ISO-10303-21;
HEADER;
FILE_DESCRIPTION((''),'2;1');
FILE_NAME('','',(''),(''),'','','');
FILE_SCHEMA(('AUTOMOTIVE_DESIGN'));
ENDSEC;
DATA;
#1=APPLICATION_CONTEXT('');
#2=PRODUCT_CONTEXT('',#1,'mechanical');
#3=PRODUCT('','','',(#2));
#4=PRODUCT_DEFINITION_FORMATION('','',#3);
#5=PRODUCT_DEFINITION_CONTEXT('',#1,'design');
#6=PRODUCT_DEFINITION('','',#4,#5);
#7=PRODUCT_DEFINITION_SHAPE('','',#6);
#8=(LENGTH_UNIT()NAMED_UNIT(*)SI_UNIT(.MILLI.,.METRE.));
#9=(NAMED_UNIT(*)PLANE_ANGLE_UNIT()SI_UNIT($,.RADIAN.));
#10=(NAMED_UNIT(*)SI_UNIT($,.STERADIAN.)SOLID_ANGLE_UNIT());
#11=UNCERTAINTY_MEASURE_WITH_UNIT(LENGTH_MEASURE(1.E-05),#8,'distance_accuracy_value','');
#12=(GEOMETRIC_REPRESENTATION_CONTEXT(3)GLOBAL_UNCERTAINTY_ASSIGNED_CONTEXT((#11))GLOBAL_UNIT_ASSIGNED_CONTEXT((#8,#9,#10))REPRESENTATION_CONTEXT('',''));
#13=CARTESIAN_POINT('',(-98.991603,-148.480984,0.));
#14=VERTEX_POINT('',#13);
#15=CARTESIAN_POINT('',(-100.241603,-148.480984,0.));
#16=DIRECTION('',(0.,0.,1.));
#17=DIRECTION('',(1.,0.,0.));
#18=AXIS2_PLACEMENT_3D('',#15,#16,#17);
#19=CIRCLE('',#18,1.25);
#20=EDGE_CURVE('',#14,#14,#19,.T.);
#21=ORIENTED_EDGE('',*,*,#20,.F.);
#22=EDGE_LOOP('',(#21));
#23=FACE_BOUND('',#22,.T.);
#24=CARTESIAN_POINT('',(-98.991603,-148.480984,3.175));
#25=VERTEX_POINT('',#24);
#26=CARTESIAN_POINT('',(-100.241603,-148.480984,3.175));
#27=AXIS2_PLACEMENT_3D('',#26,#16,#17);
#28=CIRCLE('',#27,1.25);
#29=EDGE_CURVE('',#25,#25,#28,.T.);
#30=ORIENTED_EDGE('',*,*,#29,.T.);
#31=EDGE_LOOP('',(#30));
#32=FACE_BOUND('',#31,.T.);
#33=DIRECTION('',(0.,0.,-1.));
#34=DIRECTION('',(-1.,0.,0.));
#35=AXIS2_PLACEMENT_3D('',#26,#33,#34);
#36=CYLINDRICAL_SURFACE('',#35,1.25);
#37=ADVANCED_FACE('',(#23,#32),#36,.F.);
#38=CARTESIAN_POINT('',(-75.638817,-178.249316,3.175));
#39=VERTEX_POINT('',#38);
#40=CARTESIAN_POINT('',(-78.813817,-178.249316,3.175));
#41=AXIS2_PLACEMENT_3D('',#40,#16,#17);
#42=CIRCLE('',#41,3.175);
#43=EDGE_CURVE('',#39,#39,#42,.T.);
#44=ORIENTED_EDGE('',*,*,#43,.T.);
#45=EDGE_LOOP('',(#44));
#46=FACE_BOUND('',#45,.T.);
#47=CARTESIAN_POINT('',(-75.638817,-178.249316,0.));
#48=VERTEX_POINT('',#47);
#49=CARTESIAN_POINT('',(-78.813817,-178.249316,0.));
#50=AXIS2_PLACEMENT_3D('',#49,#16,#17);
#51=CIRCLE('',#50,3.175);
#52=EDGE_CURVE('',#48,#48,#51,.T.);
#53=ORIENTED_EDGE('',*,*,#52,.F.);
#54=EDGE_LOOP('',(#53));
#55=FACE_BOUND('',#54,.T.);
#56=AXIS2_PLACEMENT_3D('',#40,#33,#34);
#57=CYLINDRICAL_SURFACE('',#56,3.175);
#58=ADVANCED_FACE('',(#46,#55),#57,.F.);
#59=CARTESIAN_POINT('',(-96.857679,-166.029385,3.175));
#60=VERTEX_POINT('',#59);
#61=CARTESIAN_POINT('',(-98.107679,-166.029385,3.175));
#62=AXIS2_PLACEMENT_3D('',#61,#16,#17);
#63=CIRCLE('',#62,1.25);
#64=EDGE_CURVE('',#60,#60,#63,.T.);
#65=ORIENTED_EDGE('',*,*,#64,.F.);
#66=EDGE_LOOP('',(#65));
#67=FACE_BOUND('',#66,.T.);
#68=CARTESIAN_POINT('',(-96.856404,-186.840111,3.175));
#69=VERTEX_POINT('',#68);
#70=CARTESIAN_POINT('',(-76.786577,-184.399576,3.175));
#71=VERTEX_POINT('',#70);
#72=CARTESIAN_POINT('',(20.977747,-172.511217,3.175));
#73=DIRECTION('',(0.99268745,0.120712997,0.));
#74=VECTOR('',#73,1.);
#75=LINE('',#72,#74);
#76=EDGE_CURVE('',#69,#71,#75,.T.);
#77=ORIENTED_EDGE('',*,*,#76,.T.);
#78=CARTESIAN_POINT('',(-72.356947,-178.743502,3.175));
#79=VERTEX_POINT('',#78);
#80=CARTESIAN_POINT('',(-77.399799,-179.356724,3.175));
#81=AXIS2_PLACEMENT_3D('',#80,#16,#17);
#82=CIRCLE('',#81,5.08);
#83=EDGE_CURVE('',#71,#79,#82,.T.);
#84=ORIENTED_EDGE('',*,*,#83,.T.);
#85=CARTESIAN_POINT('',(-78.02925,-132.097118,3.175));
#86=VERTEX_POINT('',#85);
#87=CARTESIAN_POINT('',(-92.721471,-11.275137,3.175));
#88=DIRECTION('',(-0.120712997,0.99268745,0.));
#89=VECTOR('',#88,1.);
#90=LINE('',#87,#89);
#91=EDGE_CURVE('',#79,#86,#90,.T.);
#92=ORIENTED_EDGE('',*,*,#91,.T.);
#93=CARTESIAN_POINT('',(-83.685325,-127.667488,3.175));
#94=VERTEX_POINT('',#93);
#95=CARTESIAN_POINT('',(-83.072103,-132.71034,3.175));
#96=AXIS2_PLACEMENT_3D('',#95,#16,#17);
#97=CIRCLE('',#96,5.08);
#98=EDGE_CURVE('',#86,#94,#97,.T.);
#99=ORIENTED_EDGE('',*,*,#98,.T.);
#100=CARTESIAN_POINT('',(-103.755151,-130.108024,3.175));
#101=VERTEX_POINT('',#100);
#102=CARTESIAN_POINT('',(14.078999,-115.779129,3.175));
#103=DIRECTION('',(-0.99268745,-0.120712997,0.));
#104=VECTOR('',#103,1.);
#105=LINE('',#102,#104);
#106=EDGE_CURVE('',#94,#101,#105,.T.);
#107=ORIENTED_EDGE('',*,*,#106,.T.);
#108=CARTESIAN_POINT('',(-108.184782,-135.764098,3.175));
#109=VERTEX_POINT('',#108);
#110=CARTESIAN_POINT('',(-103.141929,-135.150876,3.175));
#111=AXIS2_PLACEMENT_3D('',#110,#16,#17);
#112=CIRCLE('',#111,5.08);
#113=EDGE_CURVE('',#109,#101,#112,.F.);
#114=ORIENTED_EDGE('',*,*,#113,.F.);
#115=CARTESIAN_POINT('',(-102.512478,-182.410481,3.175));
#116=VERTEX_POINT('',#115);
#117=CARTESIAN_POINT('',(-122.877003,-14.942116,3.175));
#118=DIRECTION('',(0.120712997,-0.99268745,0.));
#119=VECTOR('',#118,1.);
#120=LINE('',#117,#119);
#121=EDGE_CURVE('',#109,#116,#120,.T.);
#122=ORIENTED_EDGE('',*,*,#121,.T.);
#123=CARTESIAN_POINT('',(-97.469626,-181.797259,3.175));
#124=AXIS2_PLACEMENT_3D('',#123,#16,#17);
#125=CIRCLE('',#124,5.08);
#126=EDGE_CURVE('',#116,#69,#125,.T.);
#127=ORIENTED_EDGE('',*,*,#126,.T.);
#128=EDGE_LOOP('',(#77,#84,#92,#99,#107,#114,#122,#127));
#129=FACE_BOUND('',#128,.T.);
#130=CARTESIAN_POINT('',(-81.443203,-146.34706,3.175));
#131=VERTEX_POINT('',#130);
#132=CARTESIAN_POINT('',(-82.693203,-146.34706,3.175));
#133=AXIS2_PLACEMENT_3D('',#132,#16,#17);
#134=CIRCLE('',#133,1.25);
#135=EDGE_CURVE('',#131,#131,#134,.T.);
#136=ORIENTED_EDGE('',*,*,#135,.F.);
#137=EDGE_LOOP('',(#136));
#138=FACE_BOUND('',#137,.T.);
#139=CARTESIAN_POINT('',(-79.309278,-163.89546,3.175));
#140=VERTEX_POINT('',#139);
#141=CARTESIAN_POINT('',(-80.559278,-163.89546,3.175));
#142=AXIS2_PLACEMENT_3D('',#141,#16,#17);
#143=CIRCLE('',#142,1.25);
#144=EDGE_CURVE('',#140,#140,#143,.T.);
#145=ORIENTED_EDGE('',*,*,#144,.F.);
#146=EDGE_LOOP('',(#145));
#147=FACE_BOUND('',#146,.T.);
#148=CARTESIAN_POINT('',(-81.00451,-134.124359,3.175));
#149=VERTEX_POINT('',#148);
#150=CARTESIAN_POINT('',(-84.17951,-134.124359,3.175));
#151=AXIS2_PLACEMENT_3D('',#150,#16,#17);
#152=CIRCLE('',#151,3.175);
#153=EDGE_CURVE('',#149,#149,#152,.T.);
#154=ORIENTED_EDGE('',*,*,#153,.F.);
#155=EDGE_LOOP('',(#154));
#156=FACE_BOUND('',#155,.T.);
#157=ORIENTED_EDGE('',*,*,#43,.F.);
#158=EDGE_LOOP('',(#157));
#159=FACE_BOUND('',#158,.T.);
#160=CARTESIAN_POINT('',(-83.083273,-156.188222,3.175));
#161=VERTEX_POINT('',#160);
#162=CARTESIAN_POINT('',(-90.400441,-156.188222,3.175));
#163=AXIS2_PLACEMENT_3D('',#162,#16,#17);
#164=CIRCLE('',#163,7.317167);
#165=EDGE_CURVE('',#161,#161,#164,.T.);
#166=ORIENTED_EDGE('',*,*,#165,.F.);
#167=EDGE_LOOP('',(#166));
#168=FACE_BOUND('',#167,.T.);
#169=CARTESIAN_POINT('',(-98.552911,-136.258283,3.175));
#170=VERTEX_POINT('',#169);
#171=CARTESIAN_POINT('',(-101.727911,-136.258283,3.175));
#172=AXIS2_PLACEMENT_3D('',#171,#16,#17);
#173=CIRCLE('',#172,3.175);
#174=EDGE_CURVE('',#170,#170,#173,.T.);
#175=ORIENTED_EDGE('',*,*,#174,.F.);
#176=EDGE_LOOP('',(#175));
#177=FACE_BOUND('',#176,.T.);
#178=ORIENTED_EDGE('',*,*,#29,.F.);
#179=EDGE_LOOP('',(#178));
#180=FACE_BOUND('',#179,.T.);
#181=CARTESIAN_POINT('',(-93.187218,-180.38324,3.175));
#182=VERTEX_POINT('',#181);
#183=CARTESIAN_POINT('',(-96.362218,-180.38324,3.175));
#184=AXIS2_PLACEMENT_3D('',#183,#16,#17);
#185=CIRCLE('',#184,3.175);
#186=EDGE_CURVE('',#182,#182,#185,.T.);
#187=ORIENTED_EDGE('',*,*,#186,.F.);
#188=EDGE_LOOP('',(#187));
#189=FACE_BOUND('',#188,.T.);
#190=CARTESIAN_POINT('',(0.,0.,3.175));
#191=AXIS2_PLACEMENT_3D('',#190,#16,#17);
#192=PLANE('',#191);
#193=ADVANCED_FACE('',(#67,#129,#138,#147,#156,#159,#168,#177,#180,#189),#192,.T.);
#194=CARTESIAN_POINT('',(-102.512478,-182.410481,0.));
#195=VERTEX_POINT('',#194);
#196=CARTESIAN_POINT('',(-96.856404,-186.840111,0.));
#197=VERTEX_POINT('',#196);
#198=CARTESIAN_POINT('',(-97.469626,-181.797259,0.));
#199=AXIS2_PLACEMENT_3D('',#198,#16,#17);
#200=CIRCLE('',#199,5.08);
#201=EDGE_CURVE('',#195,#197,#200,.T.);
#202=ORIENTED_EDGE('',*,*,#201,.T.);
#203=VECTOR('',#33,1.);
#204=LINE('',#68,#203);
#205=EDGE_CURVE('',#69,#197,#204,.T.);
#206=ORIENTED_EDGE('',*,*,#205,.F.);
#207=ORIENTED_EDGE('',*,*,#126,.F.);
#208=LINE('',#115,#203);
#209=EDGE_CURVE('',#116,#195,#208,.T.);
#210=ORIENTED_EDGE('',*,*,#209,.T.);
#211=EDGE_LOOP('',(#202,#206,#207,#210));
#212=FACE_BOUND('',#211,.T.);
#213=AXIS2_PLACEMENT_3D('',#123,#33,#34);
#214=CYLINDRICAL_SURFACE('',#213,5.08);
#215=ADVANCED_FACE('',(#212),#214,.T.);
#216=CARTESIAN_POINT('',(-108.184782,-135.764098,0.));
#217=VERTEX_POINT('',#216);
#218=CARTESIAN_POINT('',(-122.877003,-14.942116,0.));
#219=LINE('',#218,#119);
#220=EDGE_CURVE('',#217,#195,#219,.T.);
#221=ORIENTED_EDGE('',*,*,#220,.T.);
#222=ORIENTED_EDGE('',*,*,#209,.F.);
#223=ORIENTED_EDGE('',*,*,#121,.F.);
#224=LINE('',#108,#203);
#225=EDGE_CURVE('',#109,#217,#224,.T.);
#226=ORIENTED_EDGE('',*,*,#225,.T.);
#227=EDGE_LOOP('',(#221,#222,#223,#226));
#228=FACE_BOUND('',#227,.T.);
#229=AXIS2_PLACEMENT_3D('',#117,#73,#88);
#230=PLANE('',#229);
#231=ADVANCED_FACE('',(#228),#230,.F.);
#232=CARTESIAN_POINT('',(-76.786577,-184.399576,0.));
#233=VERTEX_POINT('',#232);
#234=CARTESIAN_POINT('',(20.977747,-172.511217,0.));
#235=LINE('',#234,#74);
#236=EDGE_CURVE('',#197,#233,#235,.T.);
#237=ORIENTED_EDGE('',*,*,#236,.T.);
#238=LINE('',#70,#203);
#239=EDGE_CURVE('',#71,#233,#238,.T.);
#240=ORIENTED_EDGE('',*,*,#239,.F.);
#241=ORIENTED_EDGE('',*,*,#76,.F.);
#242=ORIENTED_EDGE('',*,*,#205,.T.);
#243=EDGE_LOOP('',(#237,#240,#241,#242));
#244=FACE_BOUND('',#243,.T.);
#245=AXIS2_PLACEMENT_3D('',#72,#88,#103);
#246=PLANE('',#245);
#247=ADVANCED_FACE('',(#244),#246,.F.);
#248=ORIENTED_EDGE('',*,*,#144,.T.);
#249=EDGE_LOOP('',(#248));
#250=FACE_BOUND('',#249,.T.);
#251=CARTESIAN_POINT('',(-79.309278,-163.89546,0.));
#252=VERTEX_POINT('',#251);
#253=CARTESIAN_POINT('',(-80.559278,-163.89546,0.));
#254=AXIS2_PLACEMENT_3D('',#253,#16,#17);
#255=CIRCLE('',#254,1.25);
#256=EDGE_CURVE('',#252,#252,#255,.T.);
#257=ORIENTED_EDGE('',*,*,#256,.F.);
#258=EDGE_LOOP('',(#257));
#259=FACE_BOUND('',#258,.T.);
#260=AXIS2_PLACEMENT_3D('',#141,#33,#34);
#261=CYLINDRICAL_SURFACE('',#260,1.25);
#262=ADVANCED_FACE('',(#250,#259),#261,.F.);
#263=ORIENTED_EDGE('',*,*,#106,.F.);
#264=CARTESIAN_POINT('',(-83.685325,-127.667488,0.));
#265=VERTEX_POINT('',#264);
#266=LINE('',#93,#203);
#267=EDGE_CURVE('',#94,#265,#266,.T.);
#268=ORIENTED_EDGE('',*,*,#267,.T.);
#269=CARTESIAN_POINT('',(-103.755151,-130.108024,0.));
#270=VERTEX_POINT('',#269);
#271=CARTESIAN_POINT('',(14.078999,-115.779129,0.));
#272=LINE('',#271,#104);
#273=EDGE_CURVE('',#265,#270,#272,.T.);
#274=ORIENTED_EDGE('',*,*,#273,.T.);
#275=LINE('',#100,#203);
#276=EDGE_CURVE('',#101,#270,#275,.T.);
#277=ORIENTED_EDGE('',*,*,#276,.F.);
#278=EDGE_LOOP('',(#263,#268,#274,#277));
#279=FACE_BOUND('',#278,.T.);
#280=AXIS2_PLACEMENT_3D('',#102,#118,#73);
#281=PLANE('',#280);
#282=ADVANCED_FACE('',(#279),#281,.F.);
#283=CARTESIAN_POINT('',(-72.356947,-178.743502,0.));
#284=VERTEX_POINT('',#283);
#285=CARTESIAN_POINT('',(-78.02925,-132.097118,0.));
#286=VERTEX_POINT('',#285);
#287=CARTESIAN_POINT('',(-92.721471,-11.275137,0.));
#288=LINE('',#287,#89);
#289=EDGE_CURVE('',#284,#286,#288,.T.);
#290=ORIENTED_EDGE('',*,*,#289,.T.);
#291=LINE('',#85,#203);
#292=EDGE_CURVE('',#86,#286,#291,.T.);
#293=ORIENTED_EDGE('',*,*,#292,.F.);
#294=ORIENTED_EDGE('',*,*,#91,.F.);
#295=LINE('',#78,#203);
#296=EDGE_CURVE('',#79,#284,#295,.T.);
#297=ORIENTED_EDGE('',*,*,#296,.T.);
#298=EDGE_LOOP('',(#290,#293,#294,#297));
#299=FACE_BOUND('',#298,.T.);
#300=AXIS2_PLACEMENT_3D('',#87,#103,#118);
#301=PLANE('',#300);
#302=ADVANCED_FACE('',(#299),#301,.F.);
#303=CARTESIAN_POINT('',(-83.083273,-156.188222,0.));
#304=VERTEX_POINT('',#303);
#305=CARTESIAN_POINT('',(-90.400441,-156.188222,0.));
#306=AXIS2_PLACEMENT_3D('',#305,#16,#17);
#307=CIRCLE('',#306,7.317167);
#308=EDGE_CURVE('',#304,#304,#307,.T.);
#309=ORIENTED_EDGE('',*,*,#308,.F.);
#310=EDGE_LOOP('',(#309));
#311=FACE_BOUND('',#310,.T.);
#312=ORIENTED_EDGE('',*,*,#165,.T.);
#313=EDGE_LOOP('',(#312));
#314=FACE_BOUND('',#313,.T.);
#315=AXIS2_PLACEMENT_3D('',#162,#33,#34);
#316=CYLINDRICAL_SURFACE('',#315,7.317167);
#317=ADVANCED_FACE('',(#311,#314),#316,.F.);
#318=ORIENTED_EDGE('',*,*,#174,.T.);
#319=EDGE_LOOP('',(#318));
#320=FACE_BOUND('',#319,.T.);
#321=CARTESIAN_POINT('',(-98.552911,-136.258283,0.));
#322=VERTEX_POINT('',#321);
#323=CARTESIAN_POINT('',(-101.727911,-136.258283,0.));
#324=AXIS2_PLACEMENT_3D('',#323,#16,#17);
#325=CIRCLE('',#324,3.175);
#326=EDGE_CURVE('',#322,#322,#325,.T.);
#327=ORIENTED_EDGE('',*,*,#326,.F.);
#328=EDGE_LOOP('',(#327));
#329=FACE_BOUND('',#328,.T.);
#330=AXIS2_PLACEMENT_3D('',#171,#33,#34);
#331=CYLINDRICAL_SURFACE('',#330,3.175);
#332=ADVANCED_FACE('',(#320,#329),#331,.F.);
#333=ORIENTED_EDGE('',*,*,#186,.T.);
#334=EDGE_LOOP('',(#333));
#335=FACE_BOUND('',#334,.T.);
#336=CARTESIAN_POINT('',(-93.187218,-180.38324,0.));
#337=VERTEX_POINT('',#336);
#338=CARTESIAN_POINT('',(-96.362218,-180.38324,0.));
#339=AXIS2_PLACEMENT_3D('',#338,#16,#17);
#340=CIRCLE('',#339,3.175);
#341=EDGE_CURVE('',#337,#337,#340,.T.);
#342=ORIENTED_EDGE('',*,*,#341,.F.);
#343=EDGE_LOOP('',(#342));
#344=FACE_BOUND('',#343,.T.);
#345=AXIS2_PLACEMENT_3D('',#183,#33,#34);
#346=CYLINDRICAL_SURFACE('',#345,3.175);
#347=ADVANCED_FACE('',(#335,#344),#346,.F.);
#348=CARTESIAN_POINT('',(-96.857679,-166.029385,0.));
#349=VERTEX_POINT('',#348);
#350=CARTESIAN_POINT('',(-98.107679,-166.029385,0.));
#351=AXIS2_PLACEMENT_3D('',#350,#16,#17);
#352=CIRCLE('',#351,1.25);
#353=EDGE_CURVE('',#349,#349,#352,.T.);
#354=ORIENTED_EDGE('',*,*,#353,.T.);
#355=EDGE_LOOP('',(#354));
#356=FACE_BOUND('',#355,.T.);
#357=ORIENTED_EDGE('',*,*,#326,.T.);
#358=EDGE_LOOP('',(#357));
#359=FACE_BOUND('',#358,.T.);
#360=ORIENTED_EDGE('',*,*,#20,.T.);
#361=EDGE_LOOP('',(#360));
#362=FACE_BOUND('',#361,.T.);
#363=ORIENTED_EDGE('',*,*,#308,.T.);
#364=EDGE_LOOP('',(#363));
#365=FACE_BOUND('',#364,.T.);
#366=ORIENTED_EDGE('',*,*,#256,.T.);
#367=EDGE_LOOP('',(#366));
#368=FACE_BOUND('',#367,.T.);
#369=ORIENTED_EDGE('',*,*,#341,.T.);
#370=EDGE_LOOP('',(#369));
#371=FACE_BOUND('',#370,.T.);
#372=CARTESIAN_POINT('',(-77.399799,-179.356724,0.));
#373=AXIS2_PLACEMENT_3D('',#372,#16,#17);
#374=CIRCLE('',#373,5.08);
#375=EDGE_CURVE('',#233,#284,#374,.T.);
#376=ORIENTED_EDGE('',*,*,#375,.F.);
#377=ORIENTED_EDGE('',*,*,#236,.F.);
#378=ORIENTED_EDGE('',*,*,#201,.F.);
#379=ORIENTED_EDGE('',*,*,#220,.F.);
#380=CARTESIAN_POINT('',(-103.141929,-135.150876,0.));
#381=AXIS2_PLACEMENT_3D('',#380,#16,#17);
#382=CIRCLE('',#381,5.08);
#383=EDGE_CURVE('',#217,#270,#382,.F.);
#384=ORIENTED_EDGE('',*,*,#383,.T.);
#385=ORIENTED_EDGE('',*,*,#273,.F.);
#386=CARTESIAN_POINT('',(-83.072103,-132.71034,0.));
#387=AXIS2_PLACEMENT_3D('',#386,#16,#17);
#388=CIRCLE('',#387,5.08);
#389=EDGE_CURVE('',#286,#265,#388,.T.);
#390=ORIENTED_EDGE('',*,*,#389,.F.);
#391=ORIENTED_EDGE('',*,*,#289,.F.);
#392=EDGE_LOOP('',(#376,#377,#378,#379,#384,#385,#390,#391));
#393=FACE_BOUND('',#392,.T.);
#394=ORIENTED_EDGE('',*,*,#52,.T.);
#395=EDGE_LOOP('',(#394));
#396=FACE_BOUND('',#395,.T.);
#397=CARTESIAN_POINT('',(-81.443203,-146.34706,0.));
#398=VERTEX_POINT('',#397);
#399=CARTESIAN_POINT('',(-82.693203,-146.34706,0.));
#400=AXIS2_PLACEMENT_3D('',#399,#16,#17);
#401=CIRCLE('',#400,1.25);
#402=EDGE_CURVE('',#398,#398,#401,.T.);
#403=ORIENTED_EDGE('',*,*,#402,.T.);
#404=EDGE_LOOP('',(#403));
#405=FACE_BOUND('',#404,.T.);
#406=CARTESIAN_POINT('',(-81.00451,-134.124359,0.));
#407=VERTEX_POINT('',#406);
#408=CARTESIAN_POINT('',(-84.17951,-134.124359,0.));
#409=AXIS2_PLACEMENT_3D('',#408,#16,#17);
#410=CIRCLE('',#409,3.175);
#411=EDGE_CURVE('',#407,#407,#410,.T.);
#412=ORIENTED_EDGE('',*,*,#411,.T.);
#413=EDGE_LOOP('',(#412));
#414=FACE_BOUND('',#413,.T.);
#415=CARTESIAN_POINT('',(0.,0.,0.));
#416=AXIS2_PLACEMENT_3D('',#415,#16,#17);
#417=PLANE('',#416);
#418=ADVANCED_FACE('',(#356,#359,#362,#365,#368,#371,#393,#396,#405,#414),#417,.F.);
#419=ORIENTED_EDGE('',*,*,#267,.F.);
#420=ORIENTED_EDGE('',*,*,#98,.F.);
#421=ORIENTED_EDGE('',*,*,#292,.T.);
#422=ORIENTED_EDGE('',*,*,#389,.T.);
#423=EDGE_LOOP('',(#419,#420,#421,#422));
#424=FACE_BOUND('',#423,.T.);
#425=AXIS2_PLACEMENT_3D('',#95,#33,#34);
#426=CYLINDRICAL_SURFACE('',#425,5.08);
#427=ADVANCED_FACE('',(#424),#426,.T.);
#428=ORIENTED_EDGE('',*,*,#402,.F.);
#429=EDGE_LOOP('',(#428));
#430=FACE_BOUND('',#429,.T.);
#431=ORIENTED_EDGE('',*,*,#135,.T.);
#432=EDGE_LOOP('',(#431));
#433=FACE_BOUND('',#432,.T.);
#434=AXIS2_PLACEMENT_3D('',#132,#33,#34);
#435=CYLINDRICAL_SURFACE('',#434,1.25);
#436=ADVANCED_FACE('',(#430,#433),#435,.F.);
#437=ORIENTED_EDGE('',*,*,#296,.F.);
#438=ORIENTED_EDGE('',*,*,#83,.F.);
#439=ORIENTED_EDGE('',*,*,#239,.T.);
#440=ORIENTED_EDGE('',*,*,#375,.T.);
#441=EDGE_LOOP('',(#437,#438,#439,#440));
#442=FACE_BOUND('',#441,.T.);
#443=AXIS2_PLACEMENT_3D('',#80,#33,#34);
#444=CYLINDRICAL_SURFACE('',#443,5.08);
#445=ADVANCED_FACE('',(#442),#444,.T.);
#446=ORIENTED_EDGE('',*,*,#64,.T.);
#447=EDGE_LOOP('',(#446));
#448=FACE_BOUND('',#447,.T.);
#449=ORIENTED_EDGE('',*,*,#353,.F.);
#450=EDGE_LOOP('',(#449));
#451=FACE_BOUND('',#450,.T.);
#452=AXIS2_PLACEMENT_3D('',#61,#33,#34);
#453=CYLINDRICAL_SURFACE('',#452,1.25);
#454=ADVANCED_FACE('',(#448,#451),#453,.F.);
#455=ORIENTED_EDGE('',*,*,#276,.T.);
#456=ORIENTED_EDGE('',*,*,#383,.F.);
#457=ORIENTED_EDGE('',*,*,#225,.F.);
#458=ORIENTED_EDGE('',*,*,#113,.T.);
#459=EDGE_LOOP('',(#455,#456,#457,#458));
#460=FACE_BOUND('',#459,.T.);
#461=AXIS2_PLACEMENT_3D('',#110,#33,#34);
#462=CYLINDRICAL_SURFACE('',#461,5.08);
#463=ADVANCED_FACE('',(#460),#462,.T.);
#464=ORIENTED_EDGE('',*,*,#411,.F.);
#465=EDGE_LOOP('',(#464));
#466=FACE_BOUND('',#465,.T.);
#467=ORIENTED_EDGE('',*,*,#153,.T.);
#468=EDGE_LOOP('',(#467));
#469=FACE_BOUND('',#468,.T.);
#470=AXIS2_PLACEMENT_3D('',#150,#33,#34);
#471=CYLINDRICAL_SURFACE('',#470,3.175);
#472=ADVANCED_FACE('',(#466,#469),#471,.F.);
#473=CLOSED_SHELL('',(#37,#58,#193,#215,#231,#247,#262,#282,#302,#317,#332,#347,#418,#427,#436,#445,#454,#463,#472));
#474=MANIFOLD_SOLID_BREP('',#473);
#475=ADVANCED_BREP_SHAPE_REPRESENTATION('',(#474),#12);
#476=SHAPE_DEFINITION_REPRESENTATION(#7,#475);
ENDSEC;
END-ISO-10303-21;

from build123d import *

# Parameters (mm, degrees)
SKETCH1_R           = 7.317167392
SKETCH1_R_2         = 3.175
BOSS_EXTRUDE2_DEPTH = 3.175


with BuildPart() as part:
    # Sketch1 → Boss-Extrude2 (new body)
    with BuildSketch(Plane.XY):
        with BuildLine():
            ThreePointArc((-108.18478159, -135.764097779), (-107.141377815, -132.018654189), (-103.75515137, -130.108023512))
            Line((-103.75515137, -130.108023512), (-83.685324569, -127.667488038))
            ThreePointArc((-83.685324569, -127.667488038), (-79.939880979, -128.710891812), (-78.029250302, -132.097118258))
            Line((-78.029250302, -132.097118258), (-72.356946589, -178.743501511))
            ThreePointArc((-72.356946589, -178.743501511), (-73.400350364, -182.488945101), (-76.78657681, -184.399575778))
            Line((-76.78657681, -184.399575778), (-96.85640361, -186.840111252))
            ThreePointArc((-96.85640361, -186.840111252), (-100.6018472, -185.796707477), (-102.512477877, -182.410481032))
            Line((-102.512477877, -182.410481032), (-108.18478159, -135.764097779))
        make_face()
        with Locations((-90.400440681, -156.188222118)):
            Circle(SKETCH1_R, mode=Mode.SUBTRACT)
        with Locations((-96.362218078, -180.383240442)):
            Circle(SKETCH1_R_2, mode=Mode.SUBTRACT)
        with Locations((-78.813817399, -178.249315979)):
            Circle(SKETCH1_R_2, mode=Mode.SUBTRACT)
        with Locations((-84.179510101, -134.124358848)):
            Circle(SKETCH1_R_2, mode=Mode.SUBTRACT)
        with Locations((-101.72791078, -136.258283311)):
            Circle(SKETCH1_R_2, mode=Mode.SUBTRACT)
        with BuildLine():
            ThreePointArc((-99.257486995, -149.251707821), (-99.470879442, -147.496867753), (-101.225719509, -147.710260199))
            ThreePointArc((-101.225719509, -147.710260199), (-101.012327063, -149.465100267), (-99.257486995, -149.251707821))
        make_face(mode=Mode.SUBTRACT)
        with BuildLine():
            ThreePointArc((-83.677318831, -145.576335736), (-83.463926384, -147.331175804), (-81.709086316, -147.117783358))
            ThreePointArc((-81.709086316, -147.117783358), (-81.922478763, -145.36294329), (-83.677318831, -145.576335736))
        make_face(mode=Mode.SUBTRACT)
        with BuildLine():
            ThreePointArc((-79.575161853, -164.666184037), (-79.7885543, -162.911343969), (-81.543394368, -163.124736415))
            ThreePointArc((-81.543394368, -163.124736415), (-81.330001921, -164.879576483), (-79.575161853, -164.666184037))
        make_face(mode=Mode.SUBTRACT)
        with BuildLine():
            ThreePointArc((-99.091795046, -165.258660878), (-98.8784026, -167.013500946), (-97.123562532, -166.8001085))
            ThreePointArc((-97.123562532, -166.8001085), (-97.336954979, -165.045268432), (-99.091795046, -165.258660878))
        make_face(mode=Mode.SUBTRACT)
    extrude(amount=BOSS_EXTRUDE2_DEPTH)


solid = part.part
